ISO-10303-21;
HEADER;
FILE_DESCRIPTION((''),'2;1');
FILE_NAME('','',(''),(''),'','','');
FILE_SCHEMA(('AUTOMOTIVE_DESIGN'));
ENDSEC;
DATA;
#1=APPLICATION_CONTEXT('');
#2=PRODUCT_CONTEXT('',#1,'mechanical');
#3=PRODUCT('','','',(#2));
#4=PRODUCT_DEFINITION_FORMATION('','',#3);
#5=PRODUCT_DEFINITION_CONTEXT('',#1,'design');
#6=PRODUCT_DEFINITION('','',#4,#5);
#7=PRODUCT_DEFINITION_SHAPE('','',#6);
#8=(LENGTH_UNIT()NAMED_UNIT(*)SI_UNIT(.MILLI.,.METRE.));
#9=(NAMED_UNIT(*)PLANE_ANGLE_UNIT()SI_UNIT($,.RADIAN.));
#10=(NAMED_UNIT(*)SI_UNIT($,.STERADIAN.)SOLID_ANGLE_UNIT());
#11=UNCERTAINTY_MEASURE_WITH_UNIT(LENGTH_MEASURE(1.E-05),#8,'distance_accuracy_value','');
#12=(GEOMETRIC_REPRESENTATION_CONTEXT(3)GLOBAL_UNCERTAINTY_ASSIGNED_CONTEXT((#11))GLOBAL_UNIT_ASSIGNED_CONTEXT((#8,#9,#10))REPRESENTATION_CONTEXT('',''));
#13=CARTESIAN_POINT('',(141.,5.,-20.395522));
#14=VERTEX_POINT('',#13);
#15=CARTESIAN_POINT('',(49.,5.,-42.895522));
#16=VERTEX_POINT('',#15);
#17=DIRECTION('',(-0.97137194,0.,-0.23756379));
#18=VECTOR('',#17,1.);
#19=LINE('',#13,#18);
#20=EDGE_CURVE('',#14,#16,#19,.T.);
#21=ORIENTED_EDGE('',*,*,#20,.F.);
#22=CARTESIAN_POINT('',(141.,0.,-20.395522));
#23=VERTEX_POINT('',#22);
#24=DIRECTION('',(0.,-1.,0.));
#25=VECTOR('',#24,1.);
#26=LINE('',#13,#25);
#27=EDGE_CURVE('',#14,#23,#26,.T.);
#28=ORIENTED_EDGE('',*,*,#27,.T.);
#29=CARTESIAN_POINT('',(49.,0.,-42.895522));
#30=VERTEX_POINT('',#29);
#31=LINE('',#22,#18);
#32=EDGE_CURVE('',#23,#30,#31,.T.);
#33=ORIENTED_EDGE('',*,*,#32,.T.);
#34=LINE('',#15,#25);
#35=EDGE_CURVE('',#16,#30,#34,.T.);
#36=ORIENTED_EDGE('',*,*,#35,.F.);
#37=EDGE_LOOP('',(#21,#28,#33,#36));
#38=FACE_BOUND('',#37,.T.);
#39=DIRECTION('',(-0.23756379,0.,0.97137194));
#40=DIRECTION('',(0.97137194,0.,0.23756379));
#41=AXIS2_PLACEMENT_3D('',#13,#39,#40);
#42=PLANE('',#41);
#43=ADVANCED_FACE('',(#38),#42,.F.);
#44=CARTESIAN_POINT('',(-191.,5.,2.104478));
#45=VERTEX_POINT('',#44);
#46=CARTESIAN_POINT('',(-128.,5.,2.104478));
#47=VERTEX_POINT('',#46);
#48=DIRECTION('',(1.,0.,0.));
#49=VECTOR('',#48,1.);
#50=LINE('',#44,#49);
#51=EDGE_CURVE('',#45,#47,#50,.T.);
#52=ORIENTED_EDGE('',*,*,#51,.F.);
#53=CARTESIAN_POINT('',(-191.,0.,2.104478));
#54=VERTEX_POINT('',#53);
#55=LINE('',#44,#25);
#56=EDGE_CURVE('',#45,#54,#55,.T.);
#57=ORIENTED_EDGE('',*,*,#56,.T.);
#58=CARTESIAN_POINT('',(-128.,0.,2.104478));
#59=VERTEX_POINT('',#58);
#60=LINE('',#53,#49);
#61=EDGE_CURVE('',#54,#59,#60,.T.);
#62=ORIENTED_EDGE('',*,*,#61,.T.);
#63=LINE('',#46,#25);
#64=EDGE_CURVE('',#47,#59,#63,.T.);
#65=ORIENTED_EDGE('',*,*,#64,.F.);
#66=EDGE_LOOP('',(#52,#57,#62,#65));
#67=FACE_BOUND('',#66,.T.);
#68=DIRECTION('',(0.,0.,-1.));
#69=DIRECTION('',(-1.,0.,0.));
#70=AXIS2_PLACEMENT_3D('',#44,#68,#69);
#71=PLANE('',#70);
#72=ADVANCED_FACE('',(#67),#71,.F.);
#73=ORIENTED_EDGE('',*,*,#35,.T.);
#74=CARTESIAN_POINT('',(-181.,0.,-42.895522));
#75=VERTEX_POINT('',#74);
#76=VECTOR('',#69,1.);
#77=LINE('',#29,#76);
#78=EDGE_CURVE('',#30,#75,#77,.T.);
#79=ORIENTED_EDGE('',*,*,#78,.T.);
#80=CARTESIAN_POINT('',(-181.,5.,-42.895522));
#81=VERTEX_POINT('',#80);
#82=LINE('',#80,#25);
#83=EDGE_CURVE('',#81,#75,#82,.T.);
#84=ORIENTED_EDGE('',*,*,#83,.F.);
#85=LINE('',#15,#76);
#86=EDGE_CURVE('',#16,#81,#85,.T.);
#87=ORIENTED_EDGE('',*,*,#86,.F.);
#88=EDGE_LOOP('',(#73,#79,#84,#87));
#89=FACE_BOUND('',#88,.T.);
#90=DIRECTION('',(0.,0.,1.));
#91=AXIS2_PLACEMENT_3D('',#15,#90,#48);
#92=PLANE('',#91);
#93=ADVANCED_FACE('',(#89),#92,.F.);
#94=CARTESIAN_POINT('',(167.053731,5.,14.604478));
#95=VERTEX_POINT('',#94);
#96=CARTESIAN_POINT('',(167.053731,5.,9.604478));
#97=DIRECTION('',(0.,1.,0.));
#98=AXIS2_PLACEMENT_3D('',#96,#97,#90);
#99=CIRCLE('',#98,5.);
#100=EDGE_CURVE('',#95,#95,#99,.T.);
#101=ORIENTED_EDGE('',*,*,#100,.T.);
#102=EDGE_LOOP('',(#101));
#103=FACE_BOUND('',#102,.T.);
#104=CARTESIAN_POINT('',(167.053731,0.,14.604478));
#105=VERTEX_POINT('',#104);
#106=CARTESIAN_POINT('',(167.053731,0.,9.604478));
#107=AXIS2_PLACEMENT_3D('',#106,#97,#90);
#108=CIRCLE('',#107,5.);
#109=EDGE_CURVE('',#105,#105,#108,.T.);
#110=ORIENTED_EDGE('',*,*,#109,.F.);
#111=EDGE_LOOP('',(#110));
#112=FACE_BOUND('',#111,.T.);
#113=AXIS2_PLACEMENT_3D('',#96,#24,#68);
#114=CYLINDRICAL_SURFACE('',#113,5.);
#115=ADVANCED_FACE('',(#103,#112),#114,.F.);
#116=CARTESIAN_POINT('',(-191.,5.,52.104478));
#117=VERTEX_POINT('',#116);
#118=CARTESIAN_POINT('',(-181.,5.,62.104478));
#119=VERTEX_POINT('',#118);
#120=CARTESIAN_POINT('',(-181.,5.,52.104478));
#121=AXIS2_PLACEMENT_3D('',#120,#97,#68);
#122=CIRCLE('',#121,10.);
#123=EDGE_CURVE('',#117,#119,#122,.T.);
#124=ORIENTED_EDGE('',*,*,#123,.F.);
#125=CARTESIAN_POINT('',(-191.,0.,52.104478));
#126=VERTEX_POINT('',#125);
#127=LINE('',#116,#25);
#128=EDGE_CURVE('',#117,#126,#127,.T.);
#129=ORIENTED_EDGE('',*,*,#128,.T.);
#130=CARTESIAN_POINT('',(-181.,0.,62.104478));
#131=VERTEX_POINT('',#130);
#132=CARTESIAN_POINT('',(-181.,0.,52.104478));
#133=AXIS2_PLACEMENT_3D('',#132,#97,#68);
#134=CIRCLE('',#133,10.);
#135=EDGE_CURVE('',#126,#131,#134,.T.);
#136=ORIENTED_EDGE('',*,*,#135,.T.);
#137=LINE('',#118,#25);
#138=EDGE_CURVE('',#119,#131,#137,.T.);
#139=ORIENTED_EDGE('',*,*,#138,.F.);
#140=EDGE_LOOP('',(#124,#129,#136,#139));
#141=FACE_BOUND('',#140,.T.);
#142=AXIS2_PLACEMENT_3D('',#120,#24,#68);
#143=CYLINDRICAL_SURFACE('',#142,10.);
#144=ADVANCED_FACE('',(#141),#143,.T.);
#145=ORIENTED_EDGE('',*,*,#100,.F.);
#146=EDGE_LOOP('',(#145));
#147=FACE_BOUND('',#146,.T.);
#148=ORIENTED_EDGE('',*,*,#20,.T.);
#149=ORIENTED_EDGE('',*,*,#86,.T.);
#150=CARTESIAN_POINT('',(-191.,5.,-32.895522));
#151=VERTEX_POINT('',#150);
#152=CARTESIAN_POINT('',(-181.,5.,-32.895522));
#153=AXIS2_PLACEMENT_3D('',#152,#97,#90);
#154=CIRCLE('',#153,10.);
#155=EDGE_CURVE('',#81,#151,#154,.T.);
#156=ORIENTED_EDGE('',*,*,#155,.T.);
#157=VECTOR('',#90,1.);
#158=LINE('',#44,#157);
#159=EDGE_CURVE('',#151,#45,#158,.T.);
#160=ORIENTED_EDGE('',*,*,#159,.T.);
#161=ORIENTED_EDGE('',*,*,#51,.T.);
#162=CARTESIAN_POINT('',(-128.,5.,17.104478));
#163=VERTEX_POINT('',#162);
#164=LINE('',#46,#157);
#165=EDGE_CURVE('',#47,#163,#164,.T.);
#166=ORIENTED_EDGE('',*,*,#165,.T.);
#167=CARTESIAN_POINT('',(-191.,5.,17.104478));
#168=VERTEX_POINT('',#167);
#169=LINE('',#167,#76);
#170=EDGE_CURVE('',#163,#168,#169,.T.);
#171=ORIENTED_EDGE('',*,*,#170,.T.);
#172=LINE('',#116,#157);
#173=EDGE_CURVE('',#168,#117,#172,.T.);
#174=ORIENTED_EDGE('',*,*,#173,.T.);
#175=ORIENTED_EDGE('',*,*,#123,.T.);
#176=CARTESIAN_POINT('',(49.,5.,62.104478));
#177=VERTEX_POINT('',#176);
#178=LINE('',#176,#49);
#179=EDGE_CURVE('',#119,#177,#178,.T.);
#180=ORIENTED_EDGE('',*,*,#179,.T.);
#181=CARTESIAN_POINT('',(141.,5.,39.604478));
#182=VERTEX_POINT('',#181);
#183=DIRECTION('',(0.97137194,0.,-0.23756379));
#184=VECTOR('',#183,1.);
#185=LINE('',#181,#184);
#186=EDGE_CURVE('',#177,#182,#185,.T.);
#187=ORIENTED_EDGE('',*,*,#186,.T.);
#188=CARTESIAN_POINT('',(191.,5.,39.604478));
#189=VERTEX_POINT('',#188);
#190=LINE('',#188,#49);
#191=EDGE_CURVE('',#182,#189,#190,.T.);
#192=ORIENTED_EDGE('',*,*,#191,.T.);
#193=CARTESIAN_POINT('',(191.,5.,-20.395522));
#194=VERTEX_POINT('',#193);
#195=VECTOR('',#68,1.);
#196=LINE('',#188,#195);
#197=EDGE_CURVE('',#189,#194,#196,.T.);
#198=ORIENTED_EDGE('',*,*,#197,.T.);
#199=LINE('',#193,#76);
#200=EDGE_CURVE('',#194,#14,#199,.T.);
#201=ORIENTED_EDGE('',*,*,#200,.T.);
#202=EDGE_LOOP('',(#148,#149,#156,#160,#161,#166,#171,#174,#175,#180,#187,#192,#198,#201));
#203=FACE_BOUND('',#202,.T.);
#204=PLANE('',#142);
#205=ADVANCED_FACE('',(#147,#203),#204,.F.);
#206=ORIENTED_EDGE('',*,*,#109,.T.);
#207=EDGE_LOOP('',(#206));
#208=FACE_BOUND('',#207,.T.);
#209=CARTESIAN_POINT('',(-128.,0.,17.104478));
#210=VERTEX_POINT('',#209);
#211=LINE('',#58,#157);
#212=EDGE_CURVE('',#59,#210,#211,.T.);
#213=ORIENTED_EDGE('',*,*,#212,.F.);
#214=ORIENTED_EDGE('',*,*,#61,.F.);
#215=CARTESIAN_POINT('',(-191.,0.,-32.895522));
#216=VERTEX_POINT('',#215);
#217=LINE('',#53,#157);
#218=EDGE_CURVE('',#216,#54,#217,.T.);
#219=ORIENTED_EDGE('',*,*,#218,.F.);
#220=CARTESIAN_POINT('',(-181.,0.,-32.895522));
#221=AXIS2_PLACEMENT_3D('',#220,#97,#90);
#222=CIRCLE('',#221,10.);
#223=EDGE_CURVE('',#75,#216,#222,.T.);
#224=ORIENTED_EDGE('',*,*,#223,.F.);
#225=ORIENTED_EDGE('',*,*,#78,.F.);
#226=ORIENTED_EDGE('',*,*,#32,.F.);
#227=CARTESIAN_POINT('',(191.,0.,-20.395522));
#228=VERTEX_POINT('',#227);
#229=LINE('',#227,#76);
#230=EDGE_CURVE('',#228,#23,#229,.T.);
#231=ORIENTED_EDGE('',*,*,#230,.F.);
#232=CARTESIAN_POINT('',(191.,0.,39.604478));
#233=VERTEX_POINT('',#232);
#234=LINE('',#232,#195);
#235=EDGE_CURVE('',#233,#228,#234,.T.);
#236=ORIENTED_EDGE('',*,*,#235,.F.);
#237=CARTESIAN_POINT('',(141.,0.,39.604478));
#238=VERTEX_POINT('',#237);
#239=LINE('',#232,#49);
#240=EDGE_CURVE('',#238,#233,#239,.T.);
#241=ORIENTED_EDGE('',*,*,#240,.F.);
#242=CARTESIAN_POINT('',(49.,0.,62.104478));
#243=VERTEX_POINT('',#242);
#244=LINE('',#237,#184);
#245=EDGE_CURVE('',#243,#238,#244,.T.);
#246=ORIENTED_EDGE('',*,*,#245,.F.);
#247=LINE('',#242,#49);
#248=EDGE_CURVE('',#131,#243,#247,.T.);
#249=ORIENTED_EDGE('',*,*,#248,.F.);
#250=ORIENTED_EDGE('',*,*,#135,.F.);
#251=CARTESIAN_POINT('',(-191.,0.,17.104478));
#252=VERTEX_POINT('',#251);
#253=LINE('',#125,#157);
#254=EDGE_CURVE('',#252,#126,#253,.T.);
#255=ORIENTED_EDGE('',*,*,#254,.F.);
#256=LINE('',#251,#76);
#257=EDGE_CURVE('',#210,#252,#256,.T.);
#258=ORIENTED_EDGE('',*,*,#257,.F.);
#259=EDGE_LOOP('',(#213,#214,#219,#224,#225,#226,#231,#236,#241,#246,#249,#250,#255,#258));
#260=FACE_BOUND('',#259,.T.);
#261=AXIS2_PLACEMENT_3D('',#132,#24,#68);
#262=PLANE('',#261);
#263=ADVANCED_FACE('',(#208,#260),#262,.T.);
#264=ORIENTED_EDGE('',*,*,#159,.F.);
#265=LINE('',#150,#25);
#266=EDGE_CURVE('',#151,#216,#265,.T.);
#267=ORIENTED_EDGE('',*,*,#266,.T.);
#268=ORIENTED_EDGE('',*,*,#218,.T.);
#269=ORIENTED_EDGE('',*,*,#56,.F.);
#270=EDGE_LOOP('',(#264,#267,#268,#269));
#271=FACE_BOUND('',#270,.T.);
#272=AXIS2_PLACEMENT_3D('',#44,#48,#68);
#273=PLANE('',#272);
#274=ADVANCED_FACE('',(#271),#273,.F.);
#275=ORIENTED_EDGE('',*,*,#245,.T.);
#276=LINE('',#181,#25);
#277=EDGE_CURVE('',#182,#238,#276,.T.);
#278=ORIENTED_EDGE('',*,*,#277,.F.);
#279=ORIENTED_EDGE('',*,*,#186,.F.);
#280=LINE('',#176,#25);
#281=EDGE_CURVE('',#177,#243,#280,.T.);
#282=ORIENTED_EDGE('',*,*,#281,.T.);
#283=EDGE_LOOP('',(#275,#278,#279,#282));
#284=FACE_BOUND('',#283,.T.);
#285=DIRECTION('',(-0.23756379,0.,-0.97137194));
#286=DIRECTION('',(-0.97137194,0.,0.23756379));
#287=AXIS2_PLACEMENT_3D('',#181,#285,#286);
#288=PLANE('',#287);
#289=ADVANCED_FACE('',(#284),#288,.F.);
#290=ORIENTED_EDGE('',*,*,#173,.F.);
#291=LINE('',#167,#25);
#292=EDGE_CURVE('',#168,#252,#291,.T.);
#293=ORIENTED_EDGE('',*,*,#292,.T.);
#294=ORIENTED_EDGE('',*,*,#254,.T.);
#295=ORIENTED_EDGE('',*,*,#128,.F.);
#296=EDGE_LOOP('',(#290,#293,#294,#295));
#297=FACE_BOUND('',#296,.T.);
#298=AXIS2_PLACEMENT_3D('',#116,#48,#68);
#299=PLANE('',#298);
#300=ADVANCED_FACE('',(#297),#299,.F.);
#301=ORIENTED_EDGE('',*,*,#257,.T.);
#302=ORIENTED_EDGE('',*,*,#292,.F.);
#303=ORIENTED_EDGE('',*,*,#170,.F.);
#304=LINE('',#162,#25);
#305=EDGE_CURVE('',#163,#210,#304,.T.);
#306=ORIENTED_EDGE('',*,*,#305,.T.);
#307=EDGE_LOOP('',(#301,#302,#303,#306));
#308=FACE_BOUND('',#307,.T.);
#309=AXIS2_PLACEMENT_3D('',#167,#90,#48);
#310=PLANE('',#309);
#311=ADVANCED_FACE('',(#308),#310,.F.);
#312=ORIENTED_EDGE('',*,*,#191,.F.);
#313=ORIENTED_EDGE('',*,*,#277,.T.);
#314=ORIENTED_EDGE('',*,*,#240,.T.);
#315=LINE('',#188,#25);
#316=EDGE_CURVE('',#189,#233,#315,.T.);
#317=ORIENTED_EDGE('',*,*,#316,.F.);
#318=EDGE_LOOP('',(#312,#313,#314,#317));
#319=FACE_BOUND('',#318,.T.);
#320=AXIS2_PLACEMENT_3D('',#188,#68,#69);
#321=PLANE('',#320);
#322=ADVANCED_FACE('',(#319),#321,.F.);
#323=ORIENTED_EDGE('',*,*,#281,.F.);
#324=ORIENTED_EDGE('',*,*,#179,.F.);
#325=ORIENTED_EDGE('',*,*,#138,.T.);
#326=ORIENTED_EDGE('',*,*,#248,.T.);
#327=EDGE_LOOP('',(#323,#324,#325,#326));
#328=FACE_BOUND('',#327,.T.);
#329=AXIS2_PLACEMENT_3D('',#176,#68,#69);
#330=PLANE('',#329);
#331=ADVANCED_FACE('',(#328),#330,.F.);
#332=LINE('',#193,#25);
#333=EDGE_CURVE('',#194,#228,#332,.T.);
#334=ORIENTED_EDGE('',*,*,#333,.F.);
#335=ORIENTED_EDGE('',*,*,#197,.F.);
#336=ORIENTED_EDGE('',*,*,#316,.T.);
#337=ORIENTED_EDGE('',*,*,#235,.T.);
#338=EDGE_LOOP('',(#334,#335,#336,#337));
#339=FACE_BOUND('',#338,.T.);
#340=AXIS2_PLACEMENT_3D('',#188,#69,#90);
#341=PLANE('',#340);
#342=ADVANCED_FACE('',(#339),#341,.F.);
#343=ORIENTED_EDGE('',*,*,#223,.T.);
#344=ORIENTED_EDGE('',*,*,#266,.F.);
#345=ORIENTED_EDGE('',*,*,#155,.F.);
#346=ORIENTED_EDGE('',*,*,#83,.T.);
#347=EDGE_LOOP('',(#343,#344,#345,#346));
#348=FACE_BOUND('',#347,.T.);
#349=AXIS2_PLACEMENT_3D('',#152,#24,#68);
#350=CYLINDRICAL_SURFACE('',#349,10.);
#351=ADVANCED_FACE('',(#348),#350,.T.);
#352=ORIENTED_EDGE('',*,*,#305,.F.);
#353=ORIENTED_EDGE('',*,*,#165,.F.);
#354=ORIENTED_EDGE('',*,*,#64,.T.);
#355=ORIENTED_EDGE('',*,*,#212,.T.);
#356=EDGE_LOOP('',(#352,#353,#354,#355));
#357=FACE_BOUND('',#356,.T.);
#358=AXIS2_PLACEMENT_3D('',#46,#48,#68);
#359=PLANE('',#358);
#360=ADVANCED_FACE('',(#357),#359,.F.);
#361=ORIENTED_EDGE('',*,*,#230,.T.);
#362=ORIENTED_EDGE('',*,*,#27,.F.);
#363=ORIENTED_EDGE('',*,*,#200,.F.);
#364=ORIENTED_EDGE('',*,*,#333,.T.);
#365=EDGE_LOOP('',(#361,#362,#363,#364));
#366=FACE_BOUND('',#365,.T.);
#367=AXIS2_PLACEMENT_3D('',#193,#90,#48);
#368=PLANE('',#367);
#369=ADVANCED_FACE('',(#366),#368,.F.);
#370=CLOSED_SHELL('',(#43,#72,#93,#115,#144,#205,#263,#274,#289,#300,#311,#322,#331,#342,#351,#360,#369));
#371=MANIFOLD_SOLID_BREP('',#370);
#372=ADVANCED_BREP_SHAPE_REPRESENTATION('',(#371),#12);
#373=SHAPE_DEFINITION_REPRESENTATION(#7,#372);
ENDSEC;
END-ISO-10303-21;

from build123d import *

# Parameters (mm, degrees)
SKETCH1_R           = 5
BOSS_EXTRUDE1_DEPTH = 5


with BuildPart() as part:
    # Sketch1 → Boss-Extrude1 (new body)
    with BuildSketch(Plane(origin=(0, 0, 0), x_dir=(1, 0, 0), z_dir=(0, 1, 0))):
        with BuildLine():
            Line((49, -62.104477612), (-181, -62.104477612))
            ThreePointArc((-181, -62.104477612), (-188.071067812, -59.175545424), (-191, -52.104477612))
            Line((-191, -52.104477612), (-191, -17.104477612))
            Line((-191, -17.104477612), (-128, -17.104477612))
            Line((-128, -17.104477612), (-128, -2.104477612))
            Line((-128, -2.104477612), (-191, -2.104477612))
            Line((-191, -2.104477612), (-191, 32.895522388))
            ThreePointArc((-191, 32.895522388), (-188.071067812, 39.9665902), (-181, 42.895522388))
            Line((-181, 42.895522388), (49, 42.895522388))
            Line((49, 42.895522388), (141, 20.395522388))
            Line((141, 20.395522388), (191, 20.395522388))
            Line((191, 20.395522388), (191, -39.604477612))
            Line((191, -39.604477612), (141, -39.604477612))
            Line((141, -39.604477612), (49, -62.104477612))
        make_face()
        with Locations(Location((167.053731343, -9.604477612, 0), (0, 0, 270))):
            Circle(SKETCH1_R, mode=Mode.SUBTRACT)
    extrude(amount=BOSS_EXTRUDE1_DEPTH)


solid = part.part
